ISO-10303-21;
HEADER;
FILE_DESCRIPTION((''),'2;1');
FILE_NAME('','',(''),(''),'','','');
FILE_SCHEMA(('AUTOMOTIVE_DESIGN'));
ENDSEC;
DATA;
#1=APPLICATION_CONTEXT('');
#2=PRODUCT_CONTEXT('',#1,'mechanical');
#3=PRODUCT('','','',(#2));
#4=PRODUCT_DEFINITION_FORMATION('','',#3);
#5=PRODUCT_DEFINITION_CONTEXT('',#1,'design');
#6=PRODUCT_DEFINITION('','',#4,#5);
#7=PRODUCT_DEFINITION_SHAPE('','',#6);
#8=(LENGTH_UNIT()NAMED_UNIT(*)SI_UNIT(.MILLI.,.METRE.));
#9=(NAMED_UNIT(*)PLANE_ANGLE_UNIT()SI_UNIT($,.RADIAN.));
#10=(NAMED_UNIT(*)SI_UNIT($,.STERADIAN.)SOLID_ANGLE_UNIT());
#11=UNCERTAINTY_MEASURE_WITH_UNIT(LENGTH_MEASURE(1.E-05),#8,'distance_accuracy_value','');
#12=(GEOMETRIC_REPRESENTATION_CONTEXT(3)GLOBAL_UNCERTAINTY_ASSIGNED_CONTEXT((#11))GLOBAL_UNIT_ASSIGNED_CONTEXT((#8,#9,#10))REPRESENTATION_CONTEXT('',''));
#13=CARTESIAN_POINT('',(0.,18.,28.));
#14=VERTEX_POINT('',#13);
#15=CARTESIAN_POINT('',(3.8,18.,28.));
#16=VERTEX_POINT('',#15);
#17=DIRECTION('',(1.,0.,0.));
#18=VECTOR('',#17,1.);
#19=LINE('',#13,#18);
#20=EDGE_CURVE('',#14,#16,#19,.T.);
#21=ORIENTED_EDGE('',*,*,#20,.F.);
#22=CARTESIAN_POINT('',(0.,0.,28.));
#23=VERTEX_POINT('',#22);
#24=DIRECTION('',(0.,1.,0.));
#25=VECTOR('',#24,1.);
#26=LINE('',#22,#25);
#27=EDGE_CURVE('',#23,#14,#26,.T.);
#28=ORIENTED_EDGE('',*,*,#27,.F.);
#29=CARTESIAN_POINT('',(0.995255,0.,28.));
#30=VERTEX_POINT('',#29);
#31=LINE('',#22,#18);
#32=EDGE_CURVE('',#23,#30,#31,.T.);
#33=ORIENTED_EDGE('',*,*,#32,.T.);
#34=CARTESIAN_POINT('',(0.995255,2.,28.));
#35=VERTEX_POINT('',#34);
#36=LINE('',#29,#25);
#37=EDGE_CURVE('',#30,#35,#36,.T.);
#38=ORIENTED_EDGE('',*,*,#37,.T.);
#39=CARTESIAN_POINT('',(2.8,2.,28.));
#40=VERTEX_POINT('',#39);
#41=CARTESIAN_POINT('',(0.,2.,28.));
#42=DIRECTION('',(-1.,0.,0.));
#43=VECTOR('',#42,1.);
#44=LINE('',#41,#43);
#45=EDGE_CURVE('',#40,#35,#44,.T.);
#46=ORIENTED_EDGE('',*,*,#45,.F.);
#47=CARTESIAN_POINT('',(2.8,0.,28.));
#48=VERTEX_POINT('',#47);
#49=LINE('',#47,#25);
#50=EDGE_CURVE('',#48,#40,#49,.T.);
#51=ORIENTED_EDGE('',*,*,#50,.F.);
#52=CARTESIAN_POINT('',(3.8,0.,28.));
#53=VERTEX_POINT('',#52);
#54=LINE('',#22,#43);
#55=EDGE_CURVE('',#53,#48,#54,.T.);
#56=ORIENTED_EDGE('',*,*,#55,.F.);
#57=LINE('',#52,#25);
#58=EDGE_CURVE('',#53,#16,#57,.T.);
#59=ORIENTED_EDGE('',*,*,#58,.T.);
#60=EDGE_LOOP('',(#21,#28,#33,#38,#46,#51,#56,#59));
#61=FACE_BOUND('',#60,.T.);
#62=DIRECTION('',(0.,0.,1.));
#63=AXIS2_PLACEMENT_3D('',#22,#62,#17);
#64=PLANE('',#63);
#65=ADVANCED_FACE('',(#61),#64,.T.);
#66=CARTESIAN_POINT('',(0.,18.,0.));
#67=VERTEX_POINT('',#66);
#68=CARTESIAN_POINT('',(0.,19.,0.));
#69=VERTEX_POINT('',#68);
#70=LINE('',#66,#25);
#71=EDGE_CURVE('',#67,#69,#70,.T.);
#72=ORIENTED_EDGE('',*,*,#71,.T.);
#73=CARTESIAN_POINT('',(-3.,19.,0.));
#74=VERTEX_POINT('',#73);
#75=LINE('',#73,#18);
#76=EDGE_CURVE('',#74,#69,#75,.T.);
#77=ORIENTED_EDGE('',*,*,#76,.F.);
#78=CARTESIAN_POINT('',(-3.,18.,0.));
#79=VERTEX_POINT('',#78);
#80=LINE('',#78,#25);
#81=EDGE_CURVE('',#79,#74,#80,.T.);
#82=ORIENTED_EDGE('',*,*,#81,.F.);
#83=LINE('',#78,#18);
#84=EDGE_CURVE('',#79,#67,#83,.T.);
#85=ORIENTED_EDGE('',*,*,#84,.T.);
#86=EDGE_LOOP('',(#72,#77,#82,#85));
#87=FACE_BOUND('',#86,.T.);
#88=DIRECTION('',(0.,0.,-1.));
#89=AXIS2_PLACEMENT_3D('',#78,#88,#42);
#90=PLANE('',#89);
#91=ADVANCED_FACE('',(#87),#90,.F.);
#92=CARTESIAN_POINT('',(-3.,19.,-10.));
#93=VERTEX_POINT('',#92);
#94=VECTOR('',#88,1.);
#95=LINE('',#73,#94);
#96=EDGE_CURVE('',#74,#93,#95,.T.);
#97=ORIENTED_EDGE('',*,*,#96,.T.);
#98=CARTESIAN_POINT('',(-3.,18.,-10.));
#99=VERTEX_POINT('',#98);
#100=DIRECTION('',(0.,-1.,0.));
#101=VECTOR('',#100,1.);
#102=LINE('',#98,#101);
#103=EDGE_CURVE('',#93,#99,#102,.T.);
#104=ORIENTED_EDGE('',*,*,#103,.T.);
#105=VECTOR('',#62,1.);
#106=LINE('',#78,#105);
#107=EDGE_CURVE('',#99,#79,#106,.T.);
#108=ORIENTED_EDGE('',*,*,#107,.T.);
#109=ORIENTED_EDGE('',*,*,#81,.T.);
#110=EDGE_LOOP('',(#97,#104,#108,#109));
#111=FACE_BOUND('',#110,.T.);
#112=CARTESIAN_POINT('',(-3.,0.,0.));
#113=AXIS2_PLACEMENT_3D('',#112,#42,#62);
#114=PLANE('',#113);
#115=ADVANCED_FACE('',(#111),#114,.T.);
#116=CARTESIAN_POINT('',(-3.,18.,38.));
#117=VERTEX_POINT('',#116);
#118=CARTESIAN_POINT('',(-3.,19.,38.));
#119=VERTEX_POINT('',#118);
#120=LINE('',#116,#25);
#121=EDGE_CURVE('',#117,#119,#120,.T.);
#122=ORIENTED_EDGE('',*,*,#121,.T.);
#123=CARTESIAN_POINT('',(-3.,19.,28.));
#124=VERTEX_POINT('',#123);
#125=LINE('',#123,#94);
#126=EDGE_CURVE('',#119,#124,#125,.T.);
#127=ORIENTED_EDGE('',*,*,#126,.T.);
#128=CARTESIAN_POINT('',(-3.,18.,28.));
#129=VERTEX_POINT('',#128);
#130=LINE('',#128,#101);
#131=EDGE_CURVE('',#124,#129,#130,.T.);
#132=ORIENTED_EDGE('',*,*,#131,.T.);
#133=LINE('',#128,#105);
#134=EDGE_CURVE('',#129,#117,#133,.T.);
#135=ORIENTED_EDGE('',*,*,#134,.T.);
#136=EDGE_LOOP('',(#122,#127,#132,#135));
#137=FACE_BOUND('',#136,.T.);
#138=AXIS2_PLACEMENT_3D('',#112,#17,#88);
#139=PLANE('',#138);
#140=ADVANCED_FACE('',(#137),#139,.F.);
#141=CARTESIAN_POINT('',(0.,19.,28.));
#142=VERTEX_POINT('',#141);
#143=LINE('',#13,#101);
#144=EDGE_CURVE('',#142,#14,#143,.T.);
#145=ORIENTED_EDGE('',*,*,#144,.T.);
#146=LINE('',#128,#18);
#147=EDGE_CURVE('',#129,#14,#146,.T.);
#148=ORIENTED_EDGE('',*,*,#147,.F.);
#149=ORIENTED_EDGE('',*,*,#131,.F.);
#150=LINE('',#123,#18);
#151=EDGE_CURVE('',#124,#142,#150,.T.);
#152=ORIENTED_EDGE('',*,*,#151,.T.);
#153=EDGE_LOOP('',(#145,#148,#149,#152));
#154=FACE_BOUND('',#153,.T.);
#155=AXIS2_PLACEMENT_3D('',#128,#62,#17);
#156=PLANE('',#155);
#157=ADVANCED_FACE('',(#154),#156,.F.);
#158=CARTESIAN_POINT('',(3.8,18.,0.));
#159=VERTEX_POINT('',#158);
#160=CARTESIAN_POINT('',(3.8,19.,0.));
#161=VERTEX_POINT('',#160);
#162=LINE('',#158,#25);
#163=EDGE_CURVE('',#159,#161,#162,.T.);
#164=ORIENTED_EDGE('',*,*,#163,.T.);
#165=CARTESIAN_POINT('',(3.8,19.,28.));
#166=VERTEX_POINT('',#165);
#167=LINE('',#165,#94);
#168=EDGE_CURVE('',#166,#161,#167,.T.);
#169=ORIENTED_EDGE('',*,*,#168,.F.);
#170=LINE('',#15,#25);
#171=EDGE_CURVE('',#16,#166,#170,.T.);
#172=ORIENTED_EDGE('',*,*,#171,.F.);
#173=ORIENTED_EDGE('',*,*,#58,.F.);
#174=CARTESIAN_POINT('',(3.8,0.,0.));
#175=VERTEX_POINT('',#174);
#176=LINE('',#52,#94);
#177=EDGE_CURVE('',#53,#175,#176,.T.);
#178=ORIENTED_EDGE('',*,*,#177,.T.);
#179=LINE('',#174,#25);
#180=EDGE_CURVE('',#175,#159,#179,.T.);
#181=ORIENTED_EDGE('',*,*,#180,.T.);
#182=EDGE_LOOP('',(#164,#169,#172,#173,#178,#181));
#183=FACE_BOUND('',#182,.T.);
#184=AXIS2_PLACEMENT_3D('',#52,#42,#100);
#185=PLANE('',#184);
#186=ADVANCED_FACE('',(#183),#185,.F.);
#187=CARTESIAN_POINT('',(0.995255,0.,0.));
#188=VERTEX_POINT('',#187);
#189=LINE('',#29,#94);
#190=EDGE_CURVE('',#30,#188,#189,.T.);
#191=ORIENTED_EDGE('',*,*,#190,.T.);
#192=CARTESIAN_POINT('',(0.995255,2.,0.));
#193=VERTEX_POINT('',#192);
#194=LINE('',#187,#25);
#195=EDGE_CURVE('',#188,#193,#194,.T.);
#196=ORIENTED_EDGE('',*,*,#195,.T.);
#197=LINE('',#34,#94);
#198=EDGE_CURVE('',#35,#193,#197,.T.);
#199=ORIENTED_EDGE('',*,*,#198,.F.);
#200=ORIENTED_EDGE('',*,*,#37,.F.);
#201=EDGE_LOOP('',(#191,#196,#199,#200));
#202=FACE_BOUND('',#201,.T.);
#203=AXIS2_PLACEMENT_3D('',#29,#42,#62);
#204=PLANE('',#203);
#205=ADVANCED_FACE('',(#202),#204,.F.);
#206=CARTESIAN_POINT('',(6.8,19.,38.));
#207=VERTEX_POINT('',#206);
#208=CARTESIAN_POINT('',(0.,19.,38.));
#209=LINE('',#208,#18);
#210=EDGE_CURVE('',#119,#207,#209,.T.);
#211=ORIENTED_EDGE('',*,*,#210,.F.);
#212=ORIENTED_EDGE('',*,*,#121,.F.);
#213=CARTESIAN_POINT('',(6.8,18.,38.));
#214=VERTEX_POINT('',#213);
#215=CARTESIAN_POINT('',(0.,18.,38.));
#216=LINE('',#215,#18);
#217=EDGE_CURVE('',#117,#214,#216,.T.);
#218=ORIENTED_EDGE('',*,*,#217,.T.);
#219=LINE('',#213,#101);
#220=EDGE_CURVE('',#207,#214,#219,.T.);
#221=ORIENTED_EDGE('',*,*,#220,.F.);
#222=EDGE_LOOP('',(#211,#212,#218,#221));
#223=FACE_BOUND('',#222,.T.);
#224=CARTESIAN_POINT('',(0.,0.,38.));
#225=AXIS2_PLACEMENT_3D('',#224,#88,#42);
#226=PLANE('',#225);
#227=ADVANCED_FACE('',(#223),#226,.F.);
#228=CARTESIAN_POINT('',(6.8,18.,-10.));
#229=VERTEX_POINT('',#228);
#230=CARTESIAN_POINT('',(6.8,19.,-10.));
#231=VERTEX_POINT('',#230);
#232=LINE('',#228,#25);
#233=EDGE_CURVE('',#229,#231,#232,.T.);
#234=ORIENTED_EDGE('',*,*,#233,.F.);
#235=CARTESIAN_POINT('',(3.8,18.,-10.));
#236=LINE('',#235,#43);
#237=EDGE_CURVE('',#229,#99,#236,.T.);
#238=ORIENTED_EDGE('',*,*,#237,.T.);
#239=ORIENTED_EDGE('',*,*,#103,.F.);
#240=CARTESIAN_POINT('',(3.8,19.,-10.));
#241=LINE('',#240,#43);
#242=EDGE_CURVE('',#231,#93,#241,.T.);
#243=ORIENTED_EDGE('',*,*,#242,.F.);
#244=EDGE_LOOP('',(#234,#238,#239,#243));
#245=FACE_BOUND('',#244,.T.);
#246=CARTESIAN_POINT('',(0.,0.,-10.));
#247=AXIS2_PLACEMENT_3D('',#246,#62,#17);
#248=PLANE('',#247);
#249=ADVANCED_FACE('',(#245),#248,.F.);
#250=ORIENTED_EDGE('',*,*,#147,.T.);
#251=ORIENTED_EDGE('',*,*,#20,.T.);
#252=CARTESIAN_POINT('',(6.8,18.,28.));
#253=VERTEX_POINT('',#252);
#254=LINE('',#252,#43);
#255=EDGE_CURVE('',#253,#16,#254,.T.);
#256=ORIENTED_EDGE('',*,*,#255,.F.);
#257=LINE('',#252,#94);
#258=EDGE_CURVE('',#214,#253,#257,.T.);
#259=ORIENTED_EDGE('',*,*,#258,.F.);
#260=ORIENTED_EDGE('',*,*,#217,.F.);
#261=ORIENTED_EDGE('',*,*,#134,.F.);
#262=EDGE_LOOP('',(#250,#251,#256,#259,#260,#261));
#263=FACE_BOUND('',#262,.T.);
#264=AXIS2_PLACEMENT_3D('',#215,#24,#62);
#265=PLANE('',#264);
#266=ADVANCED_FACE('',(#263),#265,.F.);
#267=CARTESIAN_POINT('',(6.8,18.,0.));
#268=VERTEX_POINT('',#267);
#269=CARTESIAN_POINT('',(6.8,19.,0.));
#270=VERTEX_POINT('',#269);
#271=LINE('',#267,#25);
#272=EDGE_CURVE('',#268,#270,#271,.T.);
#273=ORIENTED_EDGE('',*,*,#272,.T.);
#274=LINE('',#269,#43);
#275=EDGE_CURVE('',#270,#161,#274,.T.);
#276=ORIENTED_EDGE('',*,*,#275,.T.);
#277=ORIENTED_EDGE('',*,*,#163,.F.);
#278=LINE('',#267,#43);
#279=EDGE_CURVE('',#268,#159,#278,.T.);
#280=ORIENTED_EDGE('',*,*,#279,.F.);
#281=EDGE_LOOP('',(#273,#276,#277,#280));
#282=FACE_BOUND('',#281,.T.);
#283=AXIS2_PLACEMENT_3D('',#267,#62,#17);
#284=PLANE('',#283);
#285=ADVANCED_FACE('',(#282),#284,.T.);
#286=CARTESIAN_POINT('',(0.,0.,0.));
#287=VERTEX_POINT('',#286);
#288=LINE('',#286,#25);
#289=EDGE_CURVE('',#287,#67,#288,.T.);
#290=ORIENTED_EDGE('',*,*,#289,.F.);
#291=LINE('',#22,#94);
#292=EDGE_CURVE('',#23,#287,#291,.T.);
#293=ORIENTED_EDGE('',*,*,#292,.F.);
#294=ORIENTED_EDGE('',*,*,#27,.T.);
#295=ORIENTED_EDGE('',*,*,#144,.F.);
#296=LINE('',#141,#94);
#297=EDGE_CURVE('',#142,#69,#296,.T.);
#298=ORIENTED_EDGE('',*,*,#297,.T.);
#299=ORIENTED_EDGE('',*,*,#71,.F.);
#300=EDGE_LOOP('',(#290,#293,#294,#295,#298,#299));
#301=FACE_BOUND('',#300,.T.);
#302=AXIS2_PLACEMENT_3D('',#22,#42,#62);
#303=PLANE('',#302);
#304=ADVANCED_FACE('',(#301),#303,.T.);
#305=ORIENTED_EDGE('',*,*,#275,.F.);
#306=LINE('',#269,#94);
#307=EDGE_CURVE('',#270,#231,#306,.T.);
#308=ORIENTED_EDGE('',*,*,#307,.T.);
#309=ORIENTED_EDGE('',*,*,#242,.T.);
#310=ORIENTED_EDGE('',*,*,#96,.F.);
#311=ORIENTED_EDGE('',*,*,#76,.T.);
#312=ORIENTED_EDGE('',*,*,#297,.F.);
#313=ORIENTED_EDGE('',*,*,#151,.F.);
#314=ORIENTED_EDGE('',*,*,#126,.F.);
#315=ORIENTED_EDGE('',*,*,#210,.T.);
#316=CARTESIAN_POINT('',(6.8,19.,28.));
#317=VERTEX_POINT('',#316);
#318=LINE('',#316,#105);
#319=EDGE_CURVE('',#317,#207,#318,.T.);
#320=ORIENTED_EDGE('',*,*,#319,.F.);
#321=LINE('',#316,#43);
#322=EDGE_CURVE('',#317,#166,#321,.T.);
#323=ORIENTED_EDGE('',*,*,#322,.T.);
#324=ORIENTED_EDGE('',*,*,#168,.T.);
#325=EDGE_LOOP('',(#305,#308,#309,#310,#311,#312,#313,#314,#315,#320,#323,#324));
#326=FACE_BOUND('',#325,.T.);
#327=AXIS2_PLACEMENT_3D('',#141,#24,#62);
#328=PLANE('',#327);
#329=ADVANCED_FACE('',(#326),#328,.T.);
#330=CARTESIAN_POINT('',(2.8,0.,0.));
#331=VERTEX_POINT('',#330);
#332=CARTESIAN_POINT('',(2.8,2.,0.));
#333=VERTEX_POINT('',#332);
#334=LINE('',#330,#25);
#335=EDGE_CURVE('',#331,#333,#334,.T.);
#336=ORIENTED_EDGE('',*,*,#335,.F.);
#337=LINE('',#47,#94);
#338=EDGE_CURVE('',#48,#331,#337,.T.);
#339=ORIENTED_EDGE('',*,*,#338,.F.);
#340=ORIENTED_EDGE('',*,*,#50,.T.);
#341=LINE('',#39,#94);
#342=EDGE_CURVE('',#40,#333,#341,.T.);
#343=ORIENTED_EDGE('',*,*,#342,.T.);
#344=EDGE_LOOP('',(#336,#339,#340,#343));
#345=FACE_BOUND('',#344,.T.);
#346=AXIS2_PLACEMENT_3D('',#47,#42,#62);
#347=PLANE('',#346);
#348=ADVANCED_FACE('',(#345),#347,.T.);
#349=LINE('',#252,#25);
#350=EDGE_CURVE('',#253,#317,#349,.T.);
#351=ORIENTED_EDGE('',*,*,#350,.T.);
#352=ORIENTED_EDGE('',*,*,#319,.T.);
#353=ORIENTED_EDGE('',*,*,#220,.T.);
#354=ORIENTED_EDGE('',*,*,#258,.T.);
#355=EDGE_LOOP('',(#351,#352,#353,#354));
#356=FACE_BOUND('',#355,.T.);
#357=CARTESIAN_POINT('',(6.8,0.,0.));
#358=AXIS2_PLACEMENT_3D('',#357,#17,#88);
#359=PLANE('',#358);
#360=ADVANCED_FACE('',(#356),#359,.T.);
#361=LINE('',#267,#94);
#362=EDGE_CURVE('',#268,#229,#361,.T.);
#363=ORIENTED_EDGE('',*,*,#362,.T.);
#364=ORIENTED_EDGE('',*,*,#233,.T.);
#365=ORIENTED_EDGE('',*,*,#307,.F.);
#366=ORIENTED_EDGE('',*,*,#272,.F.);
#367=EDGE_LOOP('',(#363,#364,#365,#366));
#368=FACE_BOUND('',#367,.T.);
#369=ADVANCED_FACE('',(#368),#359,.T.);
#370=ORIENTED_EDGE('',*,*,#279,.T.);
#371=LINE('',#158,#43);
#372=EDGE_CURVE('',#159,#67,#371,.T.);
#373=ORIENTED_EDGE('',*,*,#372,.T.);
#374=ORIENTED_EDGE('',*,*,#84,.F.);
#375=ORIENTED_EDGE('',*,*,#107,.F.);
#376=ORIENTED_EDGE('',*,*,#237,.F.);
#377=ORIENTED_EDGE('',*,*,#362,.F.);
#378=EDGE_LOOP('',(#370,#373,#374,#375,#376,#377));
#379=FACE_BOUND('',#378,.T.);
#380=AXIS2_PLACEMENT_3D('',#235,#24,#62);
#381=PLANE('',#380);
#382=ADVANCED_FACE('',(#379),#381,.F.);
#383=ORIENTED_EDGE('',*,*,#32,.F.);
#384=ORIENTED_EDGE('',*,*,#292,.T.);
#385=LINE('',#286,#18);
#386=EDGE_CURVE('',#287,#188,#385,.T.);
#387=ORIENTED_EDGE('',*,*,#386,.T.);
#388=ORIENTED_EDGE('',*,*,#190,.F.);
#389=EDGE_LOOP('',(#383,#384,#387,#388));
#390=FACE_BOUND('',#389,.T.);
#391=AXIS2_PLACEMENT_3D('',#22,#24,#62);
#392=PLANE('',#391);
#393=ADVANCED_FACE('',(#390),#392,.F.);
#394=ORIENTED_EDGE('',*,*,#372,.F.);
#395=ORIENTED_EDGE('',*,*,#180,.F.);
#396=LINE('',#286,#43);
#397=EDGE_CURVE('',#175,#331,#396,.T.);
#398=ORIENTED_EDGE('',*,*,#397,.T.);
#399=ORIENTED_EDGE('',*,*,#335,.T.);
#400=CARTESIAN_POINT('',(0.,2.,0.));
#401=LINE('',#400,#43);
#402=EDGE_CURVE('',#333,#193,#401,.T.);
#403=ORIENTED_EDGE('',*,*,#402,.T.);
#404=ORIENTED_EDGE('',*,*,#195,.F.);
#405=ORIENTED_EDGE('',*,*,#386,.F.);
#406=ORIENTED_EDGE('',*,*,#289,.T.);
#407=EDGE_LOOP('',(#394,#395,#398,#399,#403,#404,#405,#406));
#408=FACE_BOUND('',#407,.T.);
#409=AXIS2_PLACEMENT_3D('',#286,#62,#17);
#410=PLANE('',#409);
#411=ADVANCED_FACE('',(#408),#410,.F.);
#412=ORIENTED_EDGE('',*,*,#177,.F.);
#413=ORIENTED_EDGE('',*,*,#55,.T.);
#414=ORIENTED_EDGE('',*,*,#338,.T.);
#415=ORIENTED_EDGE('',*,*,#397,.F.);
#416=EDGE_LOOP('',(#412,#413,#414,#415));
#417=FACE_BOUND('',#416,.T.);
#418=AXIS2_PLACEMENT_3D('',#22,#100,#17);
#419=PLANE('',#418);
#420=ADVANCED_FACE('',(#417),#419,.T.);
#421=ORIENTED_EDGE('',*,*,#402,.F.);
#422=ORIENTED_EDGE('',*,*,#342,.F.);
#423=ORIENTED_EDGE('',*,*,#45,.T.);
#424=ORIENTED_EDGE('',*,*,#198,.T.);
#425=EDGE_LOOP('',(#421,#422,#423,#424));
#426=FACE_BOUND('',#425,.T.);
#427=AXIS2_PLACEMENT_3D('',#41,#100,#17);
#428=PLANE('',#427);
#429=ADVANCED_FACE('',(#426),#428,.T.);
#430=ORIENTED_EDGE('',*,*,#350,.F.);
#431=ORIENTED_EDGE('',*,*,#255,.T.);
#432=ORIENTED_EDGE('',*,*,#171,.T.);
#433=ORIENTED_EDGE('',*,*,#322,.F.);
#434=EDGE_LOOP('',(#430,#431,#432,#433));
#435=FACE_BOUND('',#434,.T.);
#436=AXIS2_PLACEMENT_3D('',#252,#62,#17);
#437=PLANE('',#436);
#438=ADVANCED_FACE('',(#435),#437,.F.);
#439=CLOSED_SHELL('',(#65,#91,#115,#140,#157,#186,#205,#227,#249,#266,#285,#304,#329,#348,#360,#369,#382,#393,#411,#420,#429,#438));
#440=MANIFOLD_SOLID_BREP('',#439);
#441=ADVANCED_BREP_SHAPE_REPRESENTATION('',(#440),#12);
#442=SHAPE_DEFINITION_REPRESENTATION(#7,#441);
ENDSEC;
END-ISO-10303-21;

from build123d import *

# Parameters (mm, degrees)
BOSS_EXTRUDE2_DEPTH = 28
SKETCH3_W           = 3.8
SKETCH3_H           = 1
BOSS_EXTRUDE3_DEPTH = 10
SKETCH4_W           = 3.8
SKETCH4_H           = 1
BOSS_EXTRUDE4_DEPTH = 10
SKETCH5_W           = 10
SKETCH5_H           = 1
BOSS_EXTRUDE5_DEPTH = 3
SKETCH6_W           = 10
SKETCH6_H           = 1
BOSS_EXTRUDE6_DEPTH = 3
SKETCH7_W           = 10
SKETCH7_H           = 1
BOSS_EXTRUDE7_DEPTH = 3
SKETCH8_W           = 10
SKETCH8_H           = 1
BOSS_EXTRUDE8_DEPTH = 3


with BuildPart() as part:
    # Sketch1 → Boss-Extrude2 (new body)
    with BuildSketch(Plane.XY):
        Polygon((2.8, 0), (3.8, 0), (3.8, 19), (0, 19), (0, 0), (0.995254582, 0), (0.995254582, 2), (2.8, 2), align=None)
    extrude(amount=BOSS_EXTRUDE2_DEPTH)

    # Sketch3 → Boss-Extrude3 (add)
    with BuildSketch(Plane.XY.offset(28)):
        with Locations((1.9, 18.5)):
            Rectangle(SKETCH3_W, SKETCH3_H)
    extrude(amount=BOSS_EXTRUDE3_DEPTH)

    # Sketch4 → Boss-Extrude4 (add)
    with BuildSketch(Plane(origin=(0, 0, 0), x_dir=(-1, 0, 0), z_dir=(0, 0, -1))):
        with Locations((-1.9, 18.5)):
            Rectangle(SKETCH4_W, SKETCH4_H)
    extrude(amount=BOSS_EXTRUDE4_DEPTH)

    # Sketch5 → Boss-Extrude5 (add)
    with BuildSketch(Plane(origin=(3.8, 0, 0), x_dir=(0, 0, -1), z_dir=(1, 0, 0))):
        with Locations((5, 18.5)):
            Rectangle(SKETCH5_W, SKETCH5_H)
    extrude(amount=BOSS_EXTRUDE5_DEPTH)

    # Sketch6 → Boss-Extrude6 (add)
    with BuildSketch(Plane.ZY):
        with Locations((-5, 18.5)):
            Rectangle(SKETCH6_W, SKETCH6_H)
    extrude(amount=BOSS_EXTRUDE6_DEPTH)

    # Sketch7 → Boss-Extrude7 (add)
    with BuildSketch(Plane.ZY):
        with Locations((33, 18.5)):
            Rectangle(SKETCH7_W, SKETCH7_H)
    extrude(amount=BOSS_EXTRUDE7_DEPTH)

    # Sketch8 → Boss-Extrude8 (add)
    with BuildSketch(Plane(origin=(3.8, 0, 0), x_dir=(0, 0, -1), z_dir=(1, 0, 0))):
        with Locations((-33, 18.5)):
            Rectangle(SKETCH8_W, SKETCH8_H)
    extrude(amount=BOSS_EXTRUDE8_DEPTH)


solid = part.part
